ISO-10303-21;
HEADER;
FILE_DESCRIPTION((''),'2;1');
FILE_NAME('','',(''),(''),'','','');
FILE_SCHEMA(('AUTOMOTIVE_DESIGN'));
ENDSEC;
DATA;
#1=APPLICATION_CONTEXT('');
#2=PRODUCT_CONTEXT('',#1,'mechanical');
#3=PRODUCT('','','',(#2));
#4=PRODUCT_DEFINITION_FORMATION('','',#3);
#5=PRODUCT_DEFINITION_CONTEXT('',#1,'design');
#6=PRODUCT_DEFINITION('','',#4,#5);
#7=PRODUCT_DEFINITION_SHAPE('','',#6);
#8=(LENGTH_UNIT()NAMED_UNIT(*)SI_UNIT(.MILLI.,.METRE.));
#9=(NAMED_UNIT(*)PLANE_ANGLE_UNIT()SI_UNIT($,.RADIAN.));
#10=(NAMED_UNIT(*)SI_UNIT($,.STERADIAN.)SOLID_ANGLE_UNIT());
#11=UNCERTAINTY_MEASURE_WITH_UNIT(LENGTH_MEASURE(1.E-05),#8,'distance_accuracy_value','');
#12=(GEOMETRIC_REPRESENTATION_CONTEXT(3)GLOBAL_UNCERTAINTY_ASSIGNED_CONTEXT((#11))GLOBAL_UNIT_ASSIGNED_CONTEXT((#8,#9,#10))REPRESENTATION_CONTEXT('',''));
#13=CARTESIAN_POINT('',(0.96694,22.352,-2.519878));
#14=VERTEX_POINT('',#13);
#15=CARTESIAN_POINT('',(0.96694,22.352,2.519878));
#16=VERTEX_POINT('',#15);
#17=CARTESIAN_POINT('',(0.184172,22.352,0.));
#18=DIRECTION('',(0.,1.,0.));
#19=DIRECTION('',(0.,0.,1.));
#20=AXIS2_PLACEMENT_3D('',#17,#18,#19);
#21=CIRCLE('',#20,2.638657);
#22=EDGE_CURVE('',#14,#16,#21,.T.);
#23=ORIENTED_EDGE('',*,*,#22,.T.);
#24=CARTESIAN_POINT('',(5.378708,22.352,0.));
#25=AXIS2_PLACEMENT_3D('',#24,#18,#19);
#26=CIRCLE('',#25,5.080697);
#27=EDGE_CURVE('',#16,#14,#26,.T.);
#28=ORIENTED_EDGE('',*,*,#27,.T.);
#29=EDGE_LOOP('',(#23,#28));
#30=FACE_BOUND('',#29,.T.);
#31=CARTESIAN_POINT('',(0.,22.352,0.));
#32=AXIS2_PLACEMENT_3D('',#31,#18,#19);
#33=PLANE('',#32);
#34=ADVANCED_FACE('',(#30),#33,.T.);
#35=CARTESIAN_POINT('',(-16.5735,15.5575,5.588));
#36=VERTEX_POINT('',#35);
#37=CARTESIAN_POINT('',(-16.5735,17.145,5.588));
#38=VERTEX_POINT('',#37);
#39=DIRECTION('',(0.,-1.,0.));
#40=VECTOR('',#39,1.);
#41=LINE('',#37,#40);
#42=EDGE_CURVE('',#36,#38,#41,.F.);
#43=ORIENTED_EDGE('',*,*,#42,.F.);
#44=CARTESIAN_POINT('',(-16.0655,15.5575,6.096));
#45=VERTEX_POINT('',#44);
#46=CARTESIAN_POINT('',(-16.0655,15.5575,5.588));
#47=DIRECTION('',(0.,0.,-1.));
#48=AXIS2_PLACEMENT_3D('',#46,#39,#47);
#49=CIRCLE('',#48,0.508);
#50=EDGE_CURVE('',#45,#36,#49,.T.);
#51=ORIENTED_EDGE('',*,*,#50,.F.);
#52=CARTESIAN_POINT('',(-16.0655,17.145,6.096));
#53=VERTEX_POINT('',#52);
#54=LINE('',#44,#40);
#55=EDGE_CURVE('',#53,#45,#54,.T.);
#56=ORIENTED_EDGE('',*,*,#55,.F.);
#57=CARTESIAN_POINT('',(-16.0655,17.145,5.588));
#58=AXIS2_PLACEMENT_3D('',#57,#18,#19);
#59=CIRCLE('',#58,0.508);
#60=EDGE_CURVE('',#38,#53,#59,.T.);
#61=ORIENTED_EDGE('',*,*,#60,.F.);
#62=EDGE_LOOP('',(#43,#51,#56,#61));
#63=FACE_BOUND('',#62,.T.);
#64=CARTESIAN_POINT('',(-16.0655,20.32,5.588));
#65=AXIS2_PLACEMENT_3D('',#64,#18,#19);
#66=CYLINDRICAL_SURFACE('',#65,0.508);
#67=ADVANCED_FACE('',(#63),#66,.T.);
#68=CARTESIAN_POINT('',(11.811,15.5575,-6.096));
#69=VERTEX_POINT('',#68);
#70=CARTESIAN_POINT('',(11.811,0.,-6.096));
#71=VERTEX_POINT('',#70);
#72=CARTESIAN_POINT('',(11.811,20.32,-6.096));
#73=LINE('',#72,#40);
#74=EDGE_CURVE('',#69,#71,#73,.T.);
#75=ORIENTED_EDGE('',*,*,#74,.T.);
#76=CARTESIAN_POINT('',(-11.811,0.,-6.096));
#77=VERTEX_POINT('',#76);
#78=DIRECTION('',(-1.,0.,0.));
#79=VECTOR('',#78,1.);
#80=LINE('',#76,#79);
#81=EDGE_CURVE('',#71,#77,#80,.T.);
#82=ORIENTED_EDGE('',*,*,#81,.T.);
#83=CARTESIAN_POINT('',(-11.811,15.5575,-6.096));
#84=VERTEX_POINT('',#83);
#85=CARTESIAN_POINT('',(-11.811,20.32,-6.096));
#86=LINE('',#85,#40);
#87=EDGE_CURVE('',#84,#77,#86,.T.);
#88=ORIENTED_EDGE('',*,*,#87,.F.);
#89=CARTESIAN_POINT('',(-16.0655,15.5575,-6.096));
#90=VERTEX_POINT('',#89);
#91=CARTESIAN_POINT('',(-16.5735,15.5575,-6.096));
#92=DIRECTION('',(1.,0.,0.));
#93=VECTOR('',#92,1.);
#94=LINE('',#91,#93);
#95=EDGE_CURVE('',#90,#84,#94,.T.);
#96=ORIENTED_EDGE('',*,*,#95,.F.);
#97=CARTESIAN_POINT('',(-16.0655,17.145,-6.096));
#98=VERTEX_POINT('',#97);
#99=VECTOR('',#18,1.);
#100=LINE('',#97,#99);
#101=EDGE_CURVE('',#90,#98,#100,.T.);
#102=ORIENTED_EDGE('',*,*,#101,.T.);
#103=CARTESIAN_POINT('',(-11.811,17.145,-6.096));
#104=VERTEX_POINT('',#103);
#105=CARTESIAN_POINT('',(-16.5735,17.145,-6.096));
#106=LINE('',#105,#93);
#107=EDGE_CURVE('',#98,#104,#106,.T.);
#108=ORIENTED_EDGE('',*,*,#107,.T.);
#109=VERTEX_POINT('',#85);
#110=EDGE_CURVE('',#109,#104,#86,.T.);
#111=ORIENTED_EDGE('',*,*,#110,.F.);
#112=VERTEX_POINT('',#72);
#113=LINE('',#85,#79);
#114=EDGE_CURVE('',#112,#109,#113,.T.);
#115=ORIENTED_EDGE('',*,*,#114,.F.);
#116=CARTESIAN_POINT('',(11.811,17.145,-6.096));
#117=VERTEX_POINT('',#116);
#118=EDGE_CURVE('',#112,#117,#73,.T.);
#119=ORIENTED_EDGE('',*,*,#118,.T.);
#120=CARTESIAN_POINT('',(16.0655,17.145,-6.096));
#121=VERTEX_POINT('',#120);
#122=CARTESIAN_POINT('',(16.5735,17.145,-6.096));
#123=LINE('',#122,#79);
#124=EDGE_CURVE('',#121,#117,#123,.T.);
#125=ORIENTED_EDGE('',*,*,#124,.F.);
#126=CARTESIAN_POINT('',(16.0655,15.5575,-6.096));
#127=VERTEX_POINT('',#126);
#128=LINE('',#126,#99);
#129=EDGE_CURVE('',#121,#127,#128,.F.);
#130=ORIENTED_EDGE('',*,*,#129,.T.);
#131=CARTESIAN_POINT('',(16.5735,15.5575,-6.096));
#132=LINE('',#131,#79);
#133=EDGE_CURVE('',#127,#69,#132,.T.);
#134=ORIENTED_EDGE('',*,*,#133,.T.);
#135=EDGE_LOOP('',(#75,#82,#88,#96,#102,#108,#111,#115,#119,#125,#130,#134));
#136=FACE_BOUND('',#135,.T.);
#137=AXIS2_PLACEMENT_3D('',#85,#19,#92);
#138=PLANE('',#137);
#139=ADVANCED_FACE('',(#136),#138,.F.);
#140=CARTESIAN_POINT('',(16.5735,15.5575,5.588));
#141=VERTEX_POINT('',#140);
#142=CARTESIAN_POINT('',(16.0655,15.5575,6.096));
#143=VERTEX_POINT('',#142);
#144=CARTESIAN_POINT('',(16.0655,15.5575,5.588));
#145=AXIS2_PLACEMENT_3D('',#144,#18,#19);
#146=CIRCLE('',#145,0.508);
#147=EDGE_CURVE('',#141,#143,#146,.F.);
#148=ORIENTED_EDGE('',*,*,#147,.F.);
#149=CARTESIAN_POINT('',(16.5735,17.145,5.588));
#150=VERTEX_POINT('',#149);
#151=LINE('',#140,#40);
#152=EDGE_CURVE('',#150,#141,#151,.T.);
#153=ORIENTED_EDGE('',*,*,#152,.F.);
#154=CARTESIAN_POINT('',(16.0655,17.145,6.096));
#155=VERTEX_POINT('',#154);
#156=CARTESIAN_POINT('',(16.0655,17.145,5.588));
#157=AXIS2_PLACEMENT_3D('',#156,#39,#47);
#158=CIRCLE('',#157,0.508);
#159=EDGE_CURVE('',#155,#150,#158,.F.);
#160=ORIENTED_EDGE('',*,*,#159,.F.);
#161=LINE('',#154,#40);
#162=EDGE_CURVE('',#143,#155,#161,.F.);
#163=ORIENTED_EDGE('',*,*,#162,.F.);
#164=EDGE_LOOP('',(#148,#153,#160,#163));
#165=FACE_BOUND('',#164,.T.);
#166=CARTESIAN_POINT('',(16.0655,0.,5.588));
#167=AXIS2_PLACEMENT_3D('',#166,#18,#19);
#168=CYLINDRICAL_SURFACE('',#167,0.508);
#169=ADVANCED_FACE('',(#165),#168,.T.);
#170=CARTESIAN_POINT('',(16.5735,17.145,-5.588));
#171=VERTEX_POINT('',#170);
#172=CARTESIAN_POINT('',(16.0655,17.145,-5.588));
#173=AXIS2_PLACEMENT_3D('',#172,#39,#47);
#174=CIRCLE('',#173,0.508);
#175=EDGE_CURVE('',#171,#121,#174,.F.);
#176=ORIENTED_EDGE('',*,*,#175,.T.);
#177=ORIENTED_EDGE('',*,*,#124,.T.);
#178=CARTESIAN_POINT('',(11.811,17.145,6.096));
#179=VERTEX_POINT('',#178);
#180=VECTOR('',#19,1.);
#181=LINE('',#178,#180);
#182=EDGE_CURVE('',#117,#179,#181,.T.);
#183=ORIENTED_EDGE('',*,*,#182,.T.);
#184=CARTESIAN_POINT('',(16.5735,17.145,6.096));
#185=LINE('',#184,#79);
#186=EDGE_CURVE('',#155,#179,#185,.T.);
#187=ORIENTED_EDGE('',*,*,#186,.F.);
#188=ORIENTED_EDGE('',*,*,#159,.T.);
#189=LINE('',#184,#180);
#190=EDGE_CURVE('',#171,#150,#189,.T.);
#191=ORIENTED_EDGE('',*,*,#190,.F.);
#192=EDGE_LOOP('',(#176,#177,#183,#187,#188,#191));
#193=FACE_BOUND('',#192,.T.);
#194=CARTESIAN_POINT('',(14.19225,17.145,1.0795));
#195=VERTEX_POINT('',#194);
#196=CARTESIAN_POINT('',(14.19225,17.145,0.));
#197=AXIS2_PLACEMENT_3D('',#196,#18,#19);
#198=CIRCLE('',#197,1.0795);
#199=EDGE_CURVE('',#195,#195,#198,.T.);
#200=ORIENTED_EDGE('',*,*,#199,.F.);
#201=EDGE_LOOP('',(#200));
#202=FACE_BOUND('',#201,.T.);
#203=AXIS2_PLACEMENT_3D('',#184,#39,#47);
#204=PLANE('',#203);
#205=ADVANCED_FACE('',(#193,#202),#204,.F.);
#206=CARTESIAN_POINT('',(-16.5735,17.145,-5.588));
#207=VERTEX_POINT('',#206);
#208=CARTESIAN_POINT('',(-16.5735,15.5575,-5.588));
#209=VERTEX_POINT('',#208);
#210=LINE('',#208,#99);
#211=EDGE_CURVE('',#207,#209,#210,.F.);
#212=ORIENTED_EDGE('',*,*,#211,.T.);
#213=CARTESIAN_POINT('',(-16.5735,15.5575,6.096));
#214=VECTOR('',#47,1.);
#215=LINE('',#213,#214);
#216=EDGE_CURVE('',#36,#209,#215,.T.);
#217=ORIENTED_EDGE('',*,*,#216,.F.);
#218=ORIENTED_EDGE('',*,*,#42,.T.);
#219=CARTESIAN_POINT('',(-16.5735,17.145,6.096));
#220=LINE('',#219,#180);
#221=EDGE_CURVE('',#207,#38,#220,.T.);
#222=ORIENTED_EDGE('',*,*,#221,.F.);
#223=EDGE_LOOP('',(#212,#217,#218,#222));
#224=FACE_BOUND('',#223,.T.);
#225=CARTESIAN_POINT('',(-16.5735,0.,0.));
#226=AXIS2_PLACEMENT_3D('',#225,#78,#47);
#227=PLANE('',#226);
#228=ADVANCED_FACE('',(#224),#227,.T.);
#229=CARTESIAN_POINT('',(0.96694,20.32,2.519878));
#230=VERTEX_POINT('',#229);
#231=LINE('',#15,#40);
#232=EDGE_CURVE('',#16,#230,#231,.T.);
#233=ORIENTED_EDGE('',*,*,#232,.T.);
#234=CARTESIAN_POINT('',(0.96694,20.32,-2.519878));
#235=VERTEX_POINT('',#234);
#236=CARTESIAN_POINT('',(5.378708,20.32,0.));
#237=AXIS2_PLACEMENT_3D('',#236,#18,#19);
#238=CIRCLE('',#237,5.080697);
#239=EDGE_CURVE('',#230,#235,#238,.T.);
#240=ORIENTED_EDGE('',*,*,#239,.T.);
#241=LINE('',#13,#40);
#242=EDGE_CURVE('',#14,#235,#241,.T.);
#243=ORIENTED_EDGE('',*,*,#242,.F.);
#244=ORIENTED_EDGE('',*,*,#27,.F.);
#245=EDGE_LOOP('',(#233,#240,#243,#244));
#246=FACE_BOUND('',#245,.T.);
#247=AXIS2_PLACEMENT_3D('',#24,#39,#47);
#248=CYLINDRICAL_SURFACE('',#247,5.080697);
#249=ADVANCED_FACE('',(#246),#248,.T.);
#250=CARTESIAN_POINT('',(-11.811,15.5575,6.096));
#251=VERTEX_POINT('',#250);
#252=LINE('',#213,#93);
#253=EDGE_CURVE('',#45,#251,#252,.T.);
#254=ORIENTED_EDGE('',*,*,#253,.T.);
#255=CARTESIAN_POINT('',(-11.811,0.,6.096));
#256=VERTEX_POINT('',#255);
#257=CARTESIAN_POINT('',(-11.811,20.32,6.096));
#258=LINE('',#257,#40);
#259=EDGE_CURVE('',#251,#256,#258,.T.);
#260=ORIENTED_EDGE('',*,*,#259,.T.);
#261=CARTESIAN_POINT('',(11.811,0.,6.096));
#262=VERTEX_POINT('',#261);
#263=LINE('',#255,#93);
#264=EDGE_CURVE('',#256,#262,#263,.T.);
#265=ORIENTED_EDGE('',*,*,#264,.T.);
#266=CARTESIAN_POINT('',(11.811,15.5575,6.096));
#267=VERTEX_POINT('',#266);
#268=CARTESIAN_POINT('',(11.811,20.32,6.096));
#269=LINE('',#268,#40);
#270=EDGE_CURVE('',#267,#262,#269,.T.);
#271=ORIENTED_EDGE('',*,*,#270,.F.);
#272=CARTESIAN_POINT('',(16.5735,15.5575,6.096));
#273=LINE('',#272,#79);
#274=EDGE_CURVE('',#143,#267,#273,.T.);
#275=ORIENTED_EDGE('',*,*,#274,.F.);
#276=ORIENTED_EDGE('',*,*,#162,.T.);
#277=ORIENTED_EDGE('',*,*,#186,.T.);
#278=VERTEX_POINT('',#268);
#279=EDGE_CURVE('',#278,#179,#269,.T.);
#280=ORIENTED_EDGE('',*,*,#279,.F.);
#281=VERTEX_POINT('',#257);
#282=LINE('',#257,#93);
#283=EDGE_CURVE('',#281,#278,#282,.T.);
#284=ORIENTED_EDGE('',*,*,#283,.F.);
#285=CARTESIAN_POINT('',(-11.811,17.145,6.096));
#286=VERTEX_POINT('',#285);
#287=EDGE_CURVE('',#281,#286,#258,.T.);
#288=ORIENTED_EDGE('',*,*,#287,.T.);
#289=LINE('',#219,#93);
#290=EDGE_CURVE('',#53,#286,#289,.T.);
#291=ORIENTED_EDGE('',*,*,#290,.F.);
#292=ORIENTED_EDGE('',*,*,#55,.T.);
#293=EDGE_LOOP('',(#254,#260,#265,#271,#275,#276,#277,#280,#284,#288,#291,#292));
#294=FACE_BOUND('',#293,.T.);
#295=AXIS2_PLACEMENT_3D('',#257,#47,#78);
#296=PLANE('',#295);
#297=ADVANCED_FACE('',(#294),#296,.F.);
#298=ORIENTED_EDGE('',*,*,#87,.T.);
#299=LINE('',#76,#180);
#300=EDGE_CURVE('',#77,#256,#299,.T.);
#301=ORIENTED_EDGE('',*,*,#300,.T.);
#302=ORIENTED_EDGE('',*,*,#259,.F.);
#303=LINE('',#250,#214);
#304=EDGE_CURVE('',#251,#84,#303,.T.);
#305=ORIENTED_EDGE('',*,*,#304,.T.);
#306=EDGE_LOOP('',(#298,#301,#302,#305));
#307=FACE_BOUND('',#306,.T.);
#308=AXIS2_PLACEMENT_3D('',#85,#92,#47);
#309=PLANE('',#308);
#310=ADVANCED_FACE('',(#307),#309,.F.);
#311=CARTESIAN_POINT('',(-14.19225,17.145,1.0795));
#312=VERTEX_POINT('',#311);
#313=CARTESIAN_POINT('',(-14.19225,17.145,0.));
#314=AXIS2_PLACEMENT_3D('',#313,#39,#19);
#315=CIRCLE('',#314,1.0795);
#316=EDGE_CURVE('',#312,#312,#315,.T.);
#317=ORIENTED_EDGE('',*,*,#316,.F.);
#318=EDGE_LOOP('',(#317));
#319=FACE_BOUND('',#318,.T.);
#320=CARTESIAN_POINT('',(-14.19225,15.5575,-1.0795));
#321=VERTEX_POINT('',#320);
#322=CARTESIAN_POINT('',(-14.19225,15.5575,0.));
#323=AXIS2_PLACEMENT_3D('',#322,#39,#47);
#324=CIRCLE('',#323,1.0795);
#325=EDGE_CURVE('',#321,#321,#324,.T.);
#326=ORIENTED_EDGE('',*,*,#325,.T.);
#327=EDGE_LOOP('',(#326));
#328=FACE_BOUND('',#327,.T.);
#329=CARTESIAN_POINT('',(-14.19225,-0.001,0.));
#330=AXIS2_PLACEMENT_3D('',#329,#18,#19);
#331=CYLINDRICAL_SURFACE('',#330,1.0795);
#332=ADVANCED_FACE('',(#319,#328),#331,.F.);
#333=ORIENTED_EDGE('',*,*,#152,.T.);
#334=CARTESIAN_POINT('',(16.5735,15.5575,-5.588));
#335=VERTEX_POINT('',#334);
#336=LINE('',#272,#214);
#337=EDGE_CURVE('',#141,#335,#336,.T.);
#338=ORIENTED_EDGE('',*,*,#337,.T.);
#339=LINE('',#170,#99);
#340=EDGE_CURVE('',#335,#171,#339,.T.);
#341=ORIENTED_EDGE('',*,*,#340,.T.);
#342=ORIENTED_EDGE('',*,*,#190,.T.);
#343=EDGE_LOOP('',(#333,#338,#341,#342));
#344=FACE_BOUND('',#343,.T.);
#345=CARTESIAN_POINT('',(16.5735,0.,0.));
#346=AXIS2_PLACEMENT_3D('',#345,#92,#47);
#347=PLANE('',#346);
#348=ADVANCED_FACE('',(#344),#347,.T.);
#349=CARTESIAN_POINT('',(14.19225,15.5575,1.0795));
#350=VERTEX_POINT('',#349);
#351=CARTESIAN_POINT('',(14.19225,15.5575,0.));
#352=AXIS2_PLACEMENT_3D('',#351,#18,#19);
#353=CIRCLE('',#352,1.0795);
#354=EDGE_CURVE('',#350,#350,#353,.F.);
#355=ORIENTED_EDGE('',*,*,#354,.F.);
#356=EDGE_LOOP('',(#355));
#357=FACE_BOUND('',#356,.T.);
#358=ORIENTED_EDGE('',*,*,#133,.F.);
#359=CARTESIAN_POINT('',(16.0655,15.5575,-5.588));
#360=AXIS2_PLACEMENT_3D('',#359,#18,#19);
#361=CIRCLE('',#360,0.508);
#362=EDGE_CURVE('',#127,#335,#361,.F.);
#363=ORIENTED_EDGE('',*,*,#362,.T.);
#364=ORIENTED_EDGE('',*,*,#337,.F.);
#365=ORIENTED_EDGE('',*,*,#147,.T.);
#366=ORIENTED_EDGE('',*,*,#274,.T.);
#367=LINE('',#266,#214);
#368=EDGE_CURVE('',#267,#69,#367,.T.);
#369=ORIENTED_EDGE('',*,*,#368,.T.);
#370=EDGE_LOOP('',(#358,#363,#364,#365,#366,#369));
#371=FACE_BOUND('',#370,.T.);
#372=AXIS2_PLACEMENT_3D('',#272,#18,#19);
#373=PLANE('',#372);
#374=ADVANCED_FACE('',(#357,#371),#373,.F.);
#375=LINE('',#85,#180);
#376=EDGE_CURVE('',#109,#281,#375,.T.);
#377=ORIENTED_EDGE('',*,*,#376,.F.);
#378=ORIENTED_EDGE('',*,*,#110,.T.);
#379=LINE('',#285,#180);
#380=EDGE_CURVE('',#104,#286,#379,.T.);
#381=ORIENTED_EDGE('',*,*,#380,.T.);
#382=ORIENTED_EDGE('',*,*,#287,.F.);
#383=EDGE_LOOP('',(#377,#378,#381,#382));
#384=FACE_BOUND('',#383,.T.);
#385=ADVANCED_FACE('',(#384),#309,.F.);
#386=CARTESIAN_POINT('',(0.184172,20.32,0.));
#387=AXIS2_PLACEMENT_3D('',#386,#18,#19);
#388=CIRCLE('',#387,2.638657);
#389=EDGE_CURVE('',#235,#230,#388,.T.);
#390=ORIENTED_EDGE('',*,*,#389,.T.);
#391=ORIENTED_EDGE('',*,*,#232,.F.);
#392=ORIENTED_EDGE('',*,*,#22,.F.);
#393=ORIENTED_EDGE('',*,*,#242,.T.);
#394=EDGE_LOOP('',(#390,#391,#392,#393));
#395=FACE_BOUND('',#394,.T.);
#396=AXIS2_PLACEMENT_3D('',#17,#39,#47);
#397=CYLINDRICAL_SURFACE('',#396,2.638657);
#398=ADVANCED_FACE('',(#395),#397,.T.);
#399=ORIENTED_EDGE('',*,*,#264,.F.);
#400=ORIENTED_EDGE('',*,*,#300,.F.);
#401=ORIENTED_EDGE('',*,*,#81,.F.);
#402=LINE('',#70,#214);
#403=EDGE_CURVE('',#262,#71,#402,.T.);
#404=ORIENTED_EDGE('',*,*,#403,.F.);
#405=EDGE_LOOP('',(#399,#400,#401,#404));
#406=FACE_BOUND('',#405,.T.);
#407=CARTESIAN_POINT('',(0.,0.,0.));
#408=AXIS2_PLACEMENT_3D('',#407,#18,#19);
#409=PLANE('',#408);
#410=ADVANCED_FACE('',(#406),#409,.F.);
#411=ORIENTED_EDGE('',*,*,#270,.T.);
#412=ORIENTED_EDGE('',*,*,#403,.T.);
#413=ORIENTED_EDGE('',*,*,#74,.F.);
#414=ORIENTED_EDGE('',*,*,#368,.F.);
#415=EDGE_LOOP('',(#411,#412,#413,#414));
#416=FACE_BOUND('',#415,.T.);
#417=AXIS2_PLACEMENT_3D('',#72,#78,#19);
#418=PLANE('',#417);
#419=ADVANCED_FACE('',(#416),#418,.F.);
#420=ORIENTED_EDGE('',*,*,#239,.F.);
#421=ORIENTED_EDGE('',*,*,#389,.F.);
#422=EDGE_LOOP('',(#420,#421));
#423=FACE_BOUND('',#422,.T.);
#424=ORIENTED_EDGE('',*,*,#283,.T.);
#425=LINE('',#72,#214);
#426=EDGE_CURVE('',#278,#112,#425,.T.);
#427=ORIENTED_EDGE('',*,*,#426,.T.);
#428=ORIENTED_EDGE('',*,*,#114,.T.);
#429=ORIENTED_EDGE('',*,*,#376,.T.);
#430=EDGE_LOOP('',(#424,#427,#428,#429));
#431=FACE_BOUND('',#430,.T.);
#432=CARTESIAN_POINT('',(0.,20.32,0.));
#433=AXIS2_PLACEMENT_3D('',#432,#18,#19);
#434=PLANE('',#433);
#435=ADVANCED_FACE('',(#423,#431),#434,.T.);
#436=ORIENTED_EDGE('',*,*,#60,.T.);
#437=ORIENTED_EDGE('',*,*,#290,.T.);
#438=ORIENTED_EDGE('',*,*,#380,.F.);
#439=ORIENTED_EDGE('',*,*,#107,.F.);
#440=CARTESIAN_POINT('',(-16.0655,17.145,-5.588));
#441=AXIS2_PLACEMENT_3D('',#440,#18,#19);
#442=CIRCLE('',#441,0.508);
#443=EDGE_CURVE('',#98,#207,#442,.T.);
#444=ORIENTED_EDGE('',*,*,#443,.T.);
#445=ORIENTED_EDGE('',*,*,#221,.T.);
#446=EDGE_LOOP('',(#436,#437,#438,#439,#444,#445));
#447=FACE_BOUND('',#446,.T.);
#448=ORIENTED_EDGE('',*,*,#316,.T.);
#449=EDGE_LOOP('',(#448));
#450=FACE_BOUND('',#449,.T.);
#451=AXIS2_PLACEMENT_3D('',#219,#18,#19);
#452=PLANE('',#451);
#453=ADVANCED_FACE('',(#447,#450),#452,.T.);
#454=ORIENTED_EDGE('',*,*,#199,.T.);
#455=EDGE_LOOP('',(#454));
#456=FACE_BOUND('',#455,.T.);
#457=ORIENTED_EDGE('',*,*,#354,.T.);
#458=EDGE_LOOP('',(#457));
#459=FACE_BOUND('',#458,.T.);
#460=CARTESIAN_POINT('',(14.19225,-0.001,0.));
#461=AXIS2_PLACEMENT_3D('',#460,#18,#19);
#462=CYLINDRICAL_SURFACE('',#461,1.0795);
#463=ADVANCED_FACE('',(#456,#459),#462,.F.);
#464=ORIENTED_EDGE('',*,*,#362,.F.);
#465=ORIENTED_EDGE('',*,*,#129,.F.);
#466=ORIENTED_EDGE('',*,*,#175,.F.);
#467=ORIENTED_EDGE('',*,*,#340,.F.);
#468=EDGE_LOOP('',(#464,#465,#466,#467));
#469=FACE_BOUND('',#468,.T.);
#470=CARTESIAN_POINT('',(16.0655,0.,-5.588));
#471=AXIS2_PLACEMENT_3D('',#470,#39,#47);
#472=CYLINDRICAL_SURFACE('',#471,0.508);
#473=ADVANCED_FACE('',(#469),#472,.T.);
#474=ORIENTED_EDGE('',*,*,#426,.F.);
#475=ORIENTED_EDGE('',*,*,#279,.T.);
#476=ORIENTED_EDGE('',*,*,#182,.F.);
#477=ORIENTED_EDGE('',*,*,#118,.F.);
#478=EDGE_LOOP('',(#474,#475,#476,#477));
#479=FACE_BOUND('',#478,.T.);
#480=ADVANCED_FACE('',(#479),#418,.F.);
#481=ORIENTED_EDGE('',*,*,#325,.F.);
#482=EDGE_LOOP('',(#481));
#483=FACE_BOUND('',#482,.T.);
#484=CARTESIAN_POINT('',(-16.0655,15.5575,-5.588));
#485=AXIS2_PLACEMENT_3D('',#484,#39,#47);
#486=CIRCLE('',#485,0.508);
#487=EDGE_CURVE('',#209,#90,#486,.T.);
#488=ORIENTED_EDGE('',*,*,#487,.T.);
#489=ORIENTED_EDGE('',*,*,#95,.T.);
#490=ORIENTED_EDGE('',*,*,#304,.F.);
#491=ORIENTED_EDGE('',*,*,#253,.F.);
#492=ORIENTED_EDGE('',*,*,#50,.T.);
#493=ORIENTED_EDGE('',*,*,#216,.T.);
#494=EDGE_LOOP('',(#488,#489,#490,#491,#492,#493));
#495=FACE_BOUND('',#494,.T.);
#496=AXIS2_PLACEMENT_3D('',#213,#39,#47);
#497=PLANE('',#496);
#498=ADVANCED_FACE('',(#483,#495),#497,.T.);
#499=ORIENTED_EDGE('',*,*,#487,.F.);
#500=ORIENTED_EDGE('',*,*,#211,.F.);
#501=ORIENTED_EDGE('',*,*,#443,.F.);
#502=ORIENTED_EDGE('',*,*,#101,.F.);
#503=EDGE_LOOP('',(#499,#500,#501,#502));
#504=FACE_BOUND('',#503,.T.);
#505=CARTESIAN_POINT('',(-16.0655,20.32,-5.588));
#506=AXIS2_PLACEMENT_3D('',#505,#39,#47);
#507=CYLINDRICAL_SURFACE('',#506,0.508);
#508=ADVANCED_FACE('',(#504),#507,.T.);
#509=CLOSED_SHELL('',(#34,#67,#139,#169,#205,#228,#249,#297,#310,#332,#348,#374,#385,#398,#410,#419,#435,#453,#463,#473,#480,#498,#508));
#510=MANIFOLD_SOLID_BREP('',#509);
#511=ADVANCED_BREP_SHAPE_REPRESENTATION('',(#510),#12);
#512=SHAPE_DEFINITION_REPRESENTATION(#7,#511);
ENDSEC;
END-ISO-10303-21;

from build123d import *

# Parameters (mm, degrees)
SKETCH1_W           = 23.622
SKETCH1_H           = 12.192
BOSS_EXTRUDE1_DEPTH = 20.32
SKETCH2_R           = 5.080697271
BOSS_EXTRUDE2_DEPTH = 2.032
SKETCH3_W           = 12.192
SKETCH3_H           = 1.5875
BOSS_EXTRUDE3_DEPTH = 4.7625
CUT_EXTRUDE1_REACH  = 26.613
SKETCH5_R           = 1.0795
FILLET1_R           = 0.508


with BuildPart() as part:
    # Sketch1 → Boss-Extrude1 (new body)
    with BuildSketch(Plane(origin=(0, 0, 0), x_dir=(1, 0, 0), z_dir=(0, 1, 0))):
        Rectangle(SKETCH1_W, SKETCH1_H)
    extrude(amount=BOSS_EXTRUDE1_DEPTH)

    # Sketch2 → Boss-Extrude2 (add)
    with BuildSketch(Plane(origin=(0, 20.32, 0), x_dir=(1, 0, 0), z_dir=(0, 1, 0))):
        with Locations((5.378708036, 0)):
            Circle(SKETCH2_R)
        with BuildLine():
            ThreePointArc((0.966939793, -2.519878116), (0.298010766, 0), (0.966939793, 2.519878116))
            ThreePointArc((0.966939793, 2.519878116), (-2.454485361, 0), (0.966939793, -2.519878116))
        make_face()
    extrude(amount=BOSS_EXTRUDE2_DEPTH)

    # Sketch3 → Boss-Extrude3 (add)
    with BuildSketch(Plane(origin=(11.811, 0, 0), x_dir=(0, 0, -1), z_dir=(1, 0, 0))):
        with Locations((0, 16.35125)):
            Rectangle(SKETCH3_W, SKETCH3_H)
    boss_extrude3 = extrude(amount=BOSS_EXTRUDE3_DEPTH)

    # Sketch5 → Cut-Extrude1 (cut, up to next)
    with BuildSketch(Plane(origin=(0, 17.145, 0), x_dir=(1, 0, 0), z_dir=(0, 1, 0)), mode=Mode.PRIVATE) as cut_extrude1_sk1:
        with Locations(Location((14.19225, 0, 0), (0, 0, 270))):
            Circle(SKETCH5_R)
    cut_extrude1_tool1 = extrude(cut_extrude1_sk1.sketch, amount=-CUT_EXTRUDE1_REACH, mode=Mode.PRIVATE) & part.part
    cut_extrude1 = cut_extrude1_tool1.solids().sort_by_distance((14.19225, 17.145, 0))[0]
    add(cut_extrude1, mode=Mode.SUBTRACT)

    # Mirror1: Boss-Extrude3, Cut-Extrude1 across plane
    add(boss_extrude3.mirror(Plane(origin=(0, 0, 0), x_dir=(0, 0, 1), z_dir=(1, 0, 0))))
    add(cut_extrude1.mirror(Plane(origin=(0, 0, 0), x_dir=(0, 0, 1), z_dir=(1, 0, 0))), mode=Mode.SUBTRACT)

    # Fillet1
    fillet1_edges = [part.edges().sort_by_distance(p)[0] for p in [
        (16.5735, 16.35125, 6.096),
        (16.5735, 16.35125, -6.096),
        (-16.5735, 16.35125, 6.096),
        (-16.5735, 16.35125, -6.096),
    ]]
    fillet(fillet1_edges, radius=FILLET1_R)


solid = part.part
